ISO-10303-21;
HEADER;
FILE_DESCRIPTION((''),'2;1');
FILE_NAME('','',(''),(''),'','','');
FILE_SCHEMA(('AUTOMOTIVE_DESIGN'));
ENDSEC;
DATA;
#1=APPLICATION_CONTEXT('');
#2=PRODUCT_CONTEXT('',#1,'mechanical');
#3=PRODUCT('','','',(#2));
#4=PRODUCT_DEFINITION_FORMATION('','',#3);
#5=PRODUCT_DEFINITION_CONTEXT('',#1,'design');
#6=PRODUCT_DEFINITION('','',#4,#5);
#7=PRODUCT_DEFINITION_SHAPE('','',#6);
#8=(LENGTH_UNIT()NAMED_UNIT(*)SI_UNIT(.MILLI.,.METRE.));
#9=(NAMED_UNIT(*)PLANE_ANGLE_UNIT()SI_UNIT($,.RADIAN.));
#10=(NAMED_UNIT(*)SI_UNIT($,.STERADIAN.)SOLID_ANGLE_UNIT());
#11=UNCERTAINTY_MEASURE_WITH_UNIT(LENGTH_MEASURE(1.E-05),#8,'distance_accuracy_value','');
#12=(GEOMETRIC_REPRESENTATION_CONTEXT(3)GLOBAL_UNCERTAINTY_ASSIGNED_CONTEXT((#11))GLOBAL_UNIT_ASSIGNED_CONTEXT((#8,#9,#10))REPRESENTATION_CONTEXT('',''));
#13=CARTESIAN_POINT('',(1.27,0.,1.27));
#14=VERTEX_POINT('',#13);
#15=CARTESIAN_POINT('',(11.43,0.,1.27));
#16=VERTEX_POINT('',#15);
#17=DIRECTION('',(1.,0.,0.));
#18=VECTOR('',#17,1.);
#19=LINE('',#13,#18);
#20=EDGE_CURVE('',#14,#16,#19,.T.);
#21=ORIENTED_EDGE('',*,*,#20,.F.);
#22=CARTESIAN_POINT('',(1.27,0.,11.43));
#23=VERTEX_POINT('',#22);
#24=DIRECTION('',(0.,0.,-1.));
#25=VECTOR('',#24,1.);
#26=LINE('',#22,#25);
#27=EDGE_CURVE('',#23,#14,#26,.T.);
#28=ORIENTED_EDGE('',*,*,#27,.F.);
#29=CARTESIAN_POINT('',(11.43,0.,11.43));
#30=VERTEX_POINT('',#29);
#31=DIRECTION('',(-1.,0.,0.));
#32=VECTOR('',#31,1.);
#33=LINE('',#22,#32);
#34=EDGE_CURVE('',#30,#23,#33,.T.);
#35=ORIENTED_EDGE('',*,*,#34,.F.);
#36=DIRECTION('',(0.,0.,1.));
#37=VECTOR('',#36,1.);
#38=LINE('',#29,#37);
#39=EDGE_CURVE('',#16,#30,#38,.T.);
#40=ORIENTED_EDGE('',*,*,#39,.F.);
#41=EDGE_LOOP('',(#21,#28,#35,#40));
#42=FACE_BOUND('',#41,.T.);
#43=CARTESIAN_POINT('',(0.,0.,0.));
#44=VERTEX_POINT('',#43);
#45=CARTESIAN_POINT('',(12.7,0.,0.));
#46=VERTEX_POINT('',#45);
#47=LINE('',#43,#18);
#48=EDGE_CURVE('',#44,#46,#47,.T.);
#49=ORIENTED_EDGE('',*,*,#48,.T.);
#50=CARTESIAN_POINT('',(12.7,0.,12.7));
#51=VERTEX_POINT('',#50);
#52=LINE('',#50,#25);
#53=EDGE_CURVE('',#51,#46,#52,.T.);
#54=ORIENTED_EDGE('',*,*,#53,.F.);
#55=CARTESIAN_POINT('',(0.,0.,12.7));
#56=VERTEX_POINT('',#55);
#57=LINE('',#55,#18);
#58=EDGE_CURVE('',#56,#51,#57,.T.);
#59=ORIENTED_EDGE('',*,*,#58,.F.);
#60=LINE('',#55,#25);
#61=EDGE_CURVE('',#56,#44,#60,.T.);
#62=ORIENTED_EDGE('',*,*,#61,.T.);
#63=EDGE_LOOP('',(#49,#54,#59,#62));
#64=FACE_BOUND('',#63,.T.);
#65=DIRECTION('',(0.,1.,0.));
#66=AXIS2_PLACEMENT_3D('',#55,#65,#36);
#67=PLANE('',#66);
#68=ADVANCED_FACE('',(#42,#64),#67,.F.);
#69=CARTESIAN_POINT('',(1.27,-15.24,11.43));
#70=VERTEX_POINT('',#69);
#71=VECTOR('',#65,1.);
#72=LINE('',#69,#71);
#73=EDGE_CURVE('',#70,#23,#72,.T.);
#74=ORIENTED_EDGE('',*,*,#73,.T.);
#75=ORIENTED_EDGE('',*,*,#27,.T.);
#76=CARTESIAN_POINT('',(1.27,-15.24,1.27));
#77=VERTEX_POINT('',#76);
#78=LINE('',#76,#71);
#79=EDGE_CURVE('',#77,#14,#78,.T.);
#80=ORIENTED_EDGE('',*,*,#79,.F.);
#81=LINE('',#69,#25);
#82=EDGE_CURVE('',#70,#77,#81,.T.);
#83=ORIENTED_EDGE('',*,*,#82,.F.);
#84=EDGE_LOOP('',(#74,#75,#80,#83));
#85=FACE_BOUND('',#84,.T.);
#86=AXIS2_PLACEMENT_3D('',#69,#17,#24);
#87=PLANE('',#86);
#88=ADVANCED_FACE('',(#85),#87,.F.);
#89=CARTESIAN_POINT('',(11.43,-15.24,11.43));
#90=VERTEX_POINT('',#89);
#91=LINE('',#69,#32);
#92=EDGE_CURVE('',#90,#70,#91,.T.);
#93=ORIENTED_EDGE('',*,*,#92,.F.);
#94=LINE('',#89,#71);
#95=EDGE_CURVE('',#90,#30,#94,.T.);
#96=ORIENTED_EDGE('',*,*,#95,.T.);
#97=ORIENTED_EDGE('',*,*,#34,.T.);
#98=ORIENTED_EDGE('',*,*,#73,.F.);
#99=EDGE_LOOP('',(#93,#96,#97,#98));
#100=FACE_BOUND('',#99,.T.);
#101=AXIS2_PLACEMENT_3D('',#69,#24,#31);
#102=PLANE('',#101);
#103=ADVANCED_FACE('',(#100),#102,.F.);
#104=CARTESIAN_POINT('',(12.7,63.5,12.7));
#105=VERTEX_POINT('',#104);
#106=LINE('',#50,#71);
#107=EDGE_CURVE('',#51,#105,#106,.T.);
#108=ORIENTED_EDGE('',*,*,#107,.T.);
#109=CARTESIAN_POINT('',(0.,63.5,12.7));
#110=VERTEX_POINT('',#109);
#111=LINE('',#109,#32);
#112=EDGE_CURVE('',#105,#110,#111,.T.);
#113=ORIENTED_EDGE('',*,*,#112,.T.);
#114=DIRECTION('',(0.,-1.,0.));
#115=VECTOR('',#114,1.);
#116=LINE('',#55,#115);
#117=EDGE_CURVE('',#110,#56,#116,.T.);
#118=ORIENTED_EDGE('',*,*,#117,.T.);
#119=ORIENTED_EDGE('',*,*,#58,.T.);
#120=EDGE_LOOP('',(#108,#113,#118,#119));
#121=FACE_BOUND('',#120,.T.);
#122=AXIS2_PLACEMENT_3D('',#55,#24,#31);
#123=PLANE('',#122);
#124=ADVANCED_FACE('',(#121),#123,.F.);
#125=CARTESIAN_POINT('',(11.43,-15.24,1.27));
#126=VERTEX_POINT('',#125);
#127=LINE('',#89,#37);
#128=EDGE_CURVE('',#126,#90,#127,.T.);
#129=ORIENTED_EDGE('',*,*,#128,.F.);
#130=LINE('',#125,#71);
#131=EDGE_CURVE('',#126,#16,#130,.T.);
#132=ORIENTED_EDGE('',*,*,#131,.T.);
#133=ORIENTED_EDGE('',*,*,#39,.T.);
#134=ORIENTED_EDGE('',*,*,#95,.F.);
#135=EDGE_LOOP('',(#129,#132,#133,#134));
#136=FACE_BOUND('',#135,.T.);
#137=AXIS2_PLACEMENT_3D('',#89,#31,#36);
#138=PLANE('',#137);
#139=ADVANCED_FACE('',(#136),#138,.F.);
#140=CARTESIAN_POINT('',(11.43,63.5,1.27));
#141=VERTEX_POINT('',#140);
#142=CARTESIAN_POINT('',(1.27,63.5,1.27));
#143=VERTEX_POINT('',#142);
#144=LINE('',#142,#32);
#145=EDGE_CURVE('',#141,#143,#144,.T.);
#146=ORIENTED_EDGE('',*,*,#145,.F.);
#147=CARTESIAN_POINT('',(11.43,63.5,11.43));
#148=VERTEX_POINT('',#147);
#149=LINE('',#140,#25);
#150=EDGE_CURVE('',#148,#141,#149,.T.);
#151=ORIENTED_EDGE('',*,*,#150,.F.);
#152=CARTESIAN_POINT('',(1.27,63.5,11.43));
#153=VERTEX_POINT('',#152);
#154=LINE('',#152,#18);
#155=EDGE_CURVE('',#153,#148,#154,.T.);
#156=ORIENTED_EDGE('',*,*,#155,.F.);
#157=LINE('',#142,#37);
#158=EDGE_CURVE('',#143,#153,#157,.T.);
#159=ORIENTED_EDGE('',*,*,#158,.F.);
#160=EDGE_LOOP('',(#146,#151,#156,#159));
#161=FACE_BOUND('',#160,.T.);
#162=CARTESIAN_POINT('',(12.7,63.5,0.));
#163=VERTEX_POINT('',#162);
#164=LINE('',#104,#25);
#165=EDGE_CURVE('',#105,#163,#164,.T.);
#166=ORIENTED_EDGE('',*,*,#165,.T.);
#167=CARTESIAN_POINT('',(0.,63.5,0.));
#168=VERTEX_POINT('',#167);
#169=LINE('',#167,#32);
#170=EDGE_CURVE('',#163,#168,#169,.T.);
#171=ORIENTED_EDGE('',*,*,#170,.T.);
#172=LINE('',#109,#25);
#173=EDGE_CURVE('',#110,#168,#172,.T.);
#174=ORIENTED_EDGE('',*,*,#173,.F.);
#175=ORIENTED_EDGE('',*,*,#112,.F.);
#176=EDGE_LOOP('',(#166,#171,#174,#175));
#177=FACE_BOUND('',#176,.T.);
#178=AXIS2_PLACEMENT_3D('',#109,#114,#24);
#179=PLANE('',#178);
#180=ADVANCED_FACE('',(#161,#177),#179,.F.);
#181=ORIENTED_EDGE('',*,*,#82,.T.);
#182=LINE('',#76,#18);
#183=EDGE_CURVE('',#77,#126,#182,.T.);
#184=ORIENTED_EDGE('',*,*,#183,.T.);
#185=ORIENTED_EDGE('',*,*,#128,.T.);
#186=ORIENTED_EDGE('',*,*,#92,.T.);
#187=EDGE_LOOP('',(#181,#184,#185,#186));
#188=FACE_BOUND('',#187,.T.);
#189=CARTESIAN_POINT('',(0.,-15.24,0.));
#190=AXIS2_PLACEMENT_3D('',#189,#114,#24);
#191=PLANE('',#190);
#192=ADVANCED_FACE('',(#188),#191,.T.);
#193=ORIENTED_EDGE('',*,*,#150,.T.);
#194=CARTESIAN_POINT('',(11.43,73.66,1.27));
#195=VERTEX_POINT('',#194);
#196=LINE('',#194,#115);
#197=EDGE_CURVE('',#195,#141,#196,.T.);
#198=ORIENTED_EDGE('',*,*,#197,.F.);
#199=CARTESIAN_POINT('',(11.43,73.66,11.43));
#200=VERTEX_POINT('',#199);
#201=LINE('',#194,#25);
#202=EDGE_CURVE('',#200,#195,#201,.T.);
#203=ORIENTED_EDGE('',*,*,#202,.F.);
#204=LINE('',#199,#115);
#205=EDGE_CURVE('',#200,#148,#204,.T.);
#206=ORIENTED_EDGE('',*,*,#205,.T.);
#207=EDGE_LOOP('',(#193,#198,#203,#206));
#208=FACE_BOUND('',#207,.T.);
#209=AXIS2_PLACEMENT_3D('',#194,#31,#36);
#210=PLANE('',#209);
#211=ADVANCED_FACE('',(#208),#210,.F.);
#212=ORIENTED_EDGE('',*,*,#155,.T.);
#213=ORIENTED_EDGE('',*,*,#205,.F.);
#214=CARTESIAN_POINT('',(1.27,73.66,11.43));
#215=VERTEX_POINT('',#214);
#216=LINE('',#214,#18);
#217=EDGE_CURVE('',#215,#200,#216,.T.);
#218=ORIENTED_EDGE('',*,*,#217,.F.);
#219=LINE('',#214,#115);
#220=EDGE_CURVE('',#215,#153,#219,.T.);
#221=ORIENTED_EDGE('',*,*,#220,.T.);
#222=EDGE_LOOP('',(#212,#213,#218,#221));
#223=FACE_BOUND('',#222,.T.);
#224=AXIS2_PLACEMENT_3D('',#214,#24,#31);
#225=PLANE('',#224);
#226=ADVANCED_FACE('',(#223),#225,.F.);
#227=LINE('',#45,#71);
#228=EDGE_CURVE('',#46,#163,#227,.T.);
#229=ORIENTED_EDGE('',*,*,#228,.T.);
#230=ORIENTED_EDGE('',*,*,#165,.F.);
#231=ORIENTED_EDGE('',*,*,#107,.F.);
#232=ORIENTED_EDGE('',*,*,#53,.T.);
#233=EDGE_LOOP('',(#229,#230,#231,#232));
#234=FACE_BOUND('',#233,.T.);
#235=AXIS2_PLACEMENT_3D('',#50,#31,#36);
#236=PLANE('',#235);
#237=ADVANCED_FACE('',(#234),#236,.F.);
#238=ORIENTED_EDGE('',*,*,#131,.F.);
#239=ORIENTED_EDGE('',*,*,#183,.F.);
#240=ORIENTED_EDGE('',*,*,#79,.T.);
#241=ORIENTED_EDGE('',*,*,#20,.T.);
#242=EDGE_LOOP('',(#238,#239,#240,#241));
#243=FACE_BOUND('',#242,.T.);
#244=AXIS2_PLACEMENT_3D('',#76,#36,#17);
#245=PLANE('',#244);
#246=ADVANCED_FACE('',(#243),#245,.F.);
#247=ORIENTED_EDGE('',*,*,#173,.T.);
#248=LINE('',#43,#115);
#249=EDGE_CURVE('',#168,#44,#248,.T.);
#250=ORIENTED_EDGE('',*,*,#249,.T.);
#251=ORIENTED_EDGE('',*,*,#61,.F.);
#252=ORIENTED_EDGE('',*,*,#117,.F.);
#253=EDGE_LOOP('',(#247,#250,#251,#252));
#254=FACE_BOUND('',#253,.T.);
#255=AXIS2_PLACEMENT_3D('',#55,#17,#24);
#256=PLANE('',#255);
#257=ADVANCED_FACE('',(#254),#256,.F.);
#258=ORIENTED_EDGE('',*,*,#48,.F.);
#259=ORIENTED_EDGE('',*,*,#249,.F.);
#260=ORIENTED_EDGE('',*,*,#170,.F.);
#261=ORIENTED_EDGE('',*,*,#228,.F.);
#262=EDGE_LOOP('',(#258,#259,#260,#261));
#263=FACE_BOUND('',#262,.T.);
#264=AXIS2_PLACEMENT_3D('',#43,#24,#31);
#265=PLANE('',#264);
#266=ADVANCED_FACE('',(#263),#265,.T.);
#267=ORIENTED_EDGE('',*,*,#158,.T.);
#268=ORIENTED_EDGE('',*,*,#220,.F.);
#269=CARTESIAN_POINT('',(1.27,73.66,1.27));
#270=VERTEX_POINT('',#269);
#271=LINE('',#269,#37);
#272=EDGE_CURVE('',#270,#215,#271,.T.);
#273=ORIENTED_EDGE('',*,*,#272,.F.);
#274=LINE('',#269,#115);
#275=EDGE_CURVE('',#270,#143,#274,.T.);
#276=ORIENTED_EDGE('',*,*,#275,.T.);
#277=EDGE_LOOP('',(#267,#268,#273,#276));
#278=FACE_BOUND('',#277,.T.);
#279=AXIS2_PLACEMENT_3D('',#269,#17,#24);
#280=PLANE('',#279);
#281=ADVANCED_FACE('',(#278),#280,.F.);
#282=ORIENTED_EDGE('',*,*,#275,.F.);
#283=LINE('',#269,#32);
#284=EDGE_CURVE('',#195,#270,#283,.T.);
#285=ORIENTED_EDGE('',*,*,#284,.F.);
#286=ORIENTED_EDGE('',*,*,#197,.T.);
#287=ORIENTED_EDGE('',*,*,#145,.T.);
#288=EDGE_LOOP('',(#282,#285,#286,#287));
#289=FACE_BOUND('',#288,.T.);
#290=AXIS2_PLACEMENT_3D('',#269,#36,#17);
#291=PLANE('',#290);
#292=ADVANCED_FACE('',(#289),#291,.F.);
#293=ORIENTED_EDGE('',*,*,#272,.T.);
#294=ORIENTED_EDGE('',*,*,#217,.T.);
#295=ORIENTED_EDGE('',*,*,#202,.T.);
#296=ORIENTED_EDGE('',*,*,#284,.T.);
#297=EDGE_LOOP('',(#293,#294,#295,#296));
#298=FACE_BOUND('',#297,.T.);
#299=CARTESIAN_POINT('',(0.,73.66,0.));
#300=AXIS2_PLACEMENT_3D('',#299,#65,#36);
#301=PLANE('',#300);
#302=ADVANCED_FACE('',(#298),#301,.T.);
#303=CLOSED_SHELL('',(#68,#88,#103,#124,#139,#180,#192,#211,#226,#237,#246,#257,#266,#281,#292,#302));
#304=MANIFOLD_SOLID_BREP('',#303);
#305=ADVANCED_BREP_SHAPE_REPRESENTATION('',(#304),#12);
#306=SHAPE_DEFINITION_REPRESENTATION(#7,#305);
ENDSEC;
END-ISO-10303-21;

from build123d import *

# Parameters (mm, degrees)
SKETCH1_W           = 12.7
SKETCH1_H           = 63.5
BOSS_EXTRUDE1_DEPTH = 12.7
SKETCH2_W           = 10.16
SKETCH2_H           = 10.16
BOSS_EXTRUDE2_DEPTH = 10.16
SKETCH3_W           = 10.16
SKETCH3_H           = 10.16
BOSS_EXTRUDE3_DEPTH = 15.24


with BuildPart() as part:
    # Sketch1 → Boss-Extrude1 (new body)
    with BuildSketch(Plane.XY):
        with Locations((6.35, 31.75)):
            Rectangle(SKETCH1_W, SKETCH1_H)
    extrude(amount=BOSS_EXTRUDE1_DEPTH)

    # Sketch2 → Boss-Extrude2 (add)
    with BuildSketch(Plane(origin=(0, 63.5, 0), x_dir=(1, 0, 0), z_dir=(0, 1, 0))):
        with Locations((6.35, -6.35)):
            Rectangle(SKETCH2_W, SKETCH2_H)
    extrude(amount=BOSS_EXTRUDE2_DEPTH)

    # Sketch3 → Boss-Extrude3 (add)
    with BuildSketch(Plane.XZ):
        with Locations((6.35, 6.35)):
            Rectangle(SKETCH3_W, SKETCH3_H)
    extrude(amount=BOSS_EXTRUDE3_DEPTH)


solid = part.part
